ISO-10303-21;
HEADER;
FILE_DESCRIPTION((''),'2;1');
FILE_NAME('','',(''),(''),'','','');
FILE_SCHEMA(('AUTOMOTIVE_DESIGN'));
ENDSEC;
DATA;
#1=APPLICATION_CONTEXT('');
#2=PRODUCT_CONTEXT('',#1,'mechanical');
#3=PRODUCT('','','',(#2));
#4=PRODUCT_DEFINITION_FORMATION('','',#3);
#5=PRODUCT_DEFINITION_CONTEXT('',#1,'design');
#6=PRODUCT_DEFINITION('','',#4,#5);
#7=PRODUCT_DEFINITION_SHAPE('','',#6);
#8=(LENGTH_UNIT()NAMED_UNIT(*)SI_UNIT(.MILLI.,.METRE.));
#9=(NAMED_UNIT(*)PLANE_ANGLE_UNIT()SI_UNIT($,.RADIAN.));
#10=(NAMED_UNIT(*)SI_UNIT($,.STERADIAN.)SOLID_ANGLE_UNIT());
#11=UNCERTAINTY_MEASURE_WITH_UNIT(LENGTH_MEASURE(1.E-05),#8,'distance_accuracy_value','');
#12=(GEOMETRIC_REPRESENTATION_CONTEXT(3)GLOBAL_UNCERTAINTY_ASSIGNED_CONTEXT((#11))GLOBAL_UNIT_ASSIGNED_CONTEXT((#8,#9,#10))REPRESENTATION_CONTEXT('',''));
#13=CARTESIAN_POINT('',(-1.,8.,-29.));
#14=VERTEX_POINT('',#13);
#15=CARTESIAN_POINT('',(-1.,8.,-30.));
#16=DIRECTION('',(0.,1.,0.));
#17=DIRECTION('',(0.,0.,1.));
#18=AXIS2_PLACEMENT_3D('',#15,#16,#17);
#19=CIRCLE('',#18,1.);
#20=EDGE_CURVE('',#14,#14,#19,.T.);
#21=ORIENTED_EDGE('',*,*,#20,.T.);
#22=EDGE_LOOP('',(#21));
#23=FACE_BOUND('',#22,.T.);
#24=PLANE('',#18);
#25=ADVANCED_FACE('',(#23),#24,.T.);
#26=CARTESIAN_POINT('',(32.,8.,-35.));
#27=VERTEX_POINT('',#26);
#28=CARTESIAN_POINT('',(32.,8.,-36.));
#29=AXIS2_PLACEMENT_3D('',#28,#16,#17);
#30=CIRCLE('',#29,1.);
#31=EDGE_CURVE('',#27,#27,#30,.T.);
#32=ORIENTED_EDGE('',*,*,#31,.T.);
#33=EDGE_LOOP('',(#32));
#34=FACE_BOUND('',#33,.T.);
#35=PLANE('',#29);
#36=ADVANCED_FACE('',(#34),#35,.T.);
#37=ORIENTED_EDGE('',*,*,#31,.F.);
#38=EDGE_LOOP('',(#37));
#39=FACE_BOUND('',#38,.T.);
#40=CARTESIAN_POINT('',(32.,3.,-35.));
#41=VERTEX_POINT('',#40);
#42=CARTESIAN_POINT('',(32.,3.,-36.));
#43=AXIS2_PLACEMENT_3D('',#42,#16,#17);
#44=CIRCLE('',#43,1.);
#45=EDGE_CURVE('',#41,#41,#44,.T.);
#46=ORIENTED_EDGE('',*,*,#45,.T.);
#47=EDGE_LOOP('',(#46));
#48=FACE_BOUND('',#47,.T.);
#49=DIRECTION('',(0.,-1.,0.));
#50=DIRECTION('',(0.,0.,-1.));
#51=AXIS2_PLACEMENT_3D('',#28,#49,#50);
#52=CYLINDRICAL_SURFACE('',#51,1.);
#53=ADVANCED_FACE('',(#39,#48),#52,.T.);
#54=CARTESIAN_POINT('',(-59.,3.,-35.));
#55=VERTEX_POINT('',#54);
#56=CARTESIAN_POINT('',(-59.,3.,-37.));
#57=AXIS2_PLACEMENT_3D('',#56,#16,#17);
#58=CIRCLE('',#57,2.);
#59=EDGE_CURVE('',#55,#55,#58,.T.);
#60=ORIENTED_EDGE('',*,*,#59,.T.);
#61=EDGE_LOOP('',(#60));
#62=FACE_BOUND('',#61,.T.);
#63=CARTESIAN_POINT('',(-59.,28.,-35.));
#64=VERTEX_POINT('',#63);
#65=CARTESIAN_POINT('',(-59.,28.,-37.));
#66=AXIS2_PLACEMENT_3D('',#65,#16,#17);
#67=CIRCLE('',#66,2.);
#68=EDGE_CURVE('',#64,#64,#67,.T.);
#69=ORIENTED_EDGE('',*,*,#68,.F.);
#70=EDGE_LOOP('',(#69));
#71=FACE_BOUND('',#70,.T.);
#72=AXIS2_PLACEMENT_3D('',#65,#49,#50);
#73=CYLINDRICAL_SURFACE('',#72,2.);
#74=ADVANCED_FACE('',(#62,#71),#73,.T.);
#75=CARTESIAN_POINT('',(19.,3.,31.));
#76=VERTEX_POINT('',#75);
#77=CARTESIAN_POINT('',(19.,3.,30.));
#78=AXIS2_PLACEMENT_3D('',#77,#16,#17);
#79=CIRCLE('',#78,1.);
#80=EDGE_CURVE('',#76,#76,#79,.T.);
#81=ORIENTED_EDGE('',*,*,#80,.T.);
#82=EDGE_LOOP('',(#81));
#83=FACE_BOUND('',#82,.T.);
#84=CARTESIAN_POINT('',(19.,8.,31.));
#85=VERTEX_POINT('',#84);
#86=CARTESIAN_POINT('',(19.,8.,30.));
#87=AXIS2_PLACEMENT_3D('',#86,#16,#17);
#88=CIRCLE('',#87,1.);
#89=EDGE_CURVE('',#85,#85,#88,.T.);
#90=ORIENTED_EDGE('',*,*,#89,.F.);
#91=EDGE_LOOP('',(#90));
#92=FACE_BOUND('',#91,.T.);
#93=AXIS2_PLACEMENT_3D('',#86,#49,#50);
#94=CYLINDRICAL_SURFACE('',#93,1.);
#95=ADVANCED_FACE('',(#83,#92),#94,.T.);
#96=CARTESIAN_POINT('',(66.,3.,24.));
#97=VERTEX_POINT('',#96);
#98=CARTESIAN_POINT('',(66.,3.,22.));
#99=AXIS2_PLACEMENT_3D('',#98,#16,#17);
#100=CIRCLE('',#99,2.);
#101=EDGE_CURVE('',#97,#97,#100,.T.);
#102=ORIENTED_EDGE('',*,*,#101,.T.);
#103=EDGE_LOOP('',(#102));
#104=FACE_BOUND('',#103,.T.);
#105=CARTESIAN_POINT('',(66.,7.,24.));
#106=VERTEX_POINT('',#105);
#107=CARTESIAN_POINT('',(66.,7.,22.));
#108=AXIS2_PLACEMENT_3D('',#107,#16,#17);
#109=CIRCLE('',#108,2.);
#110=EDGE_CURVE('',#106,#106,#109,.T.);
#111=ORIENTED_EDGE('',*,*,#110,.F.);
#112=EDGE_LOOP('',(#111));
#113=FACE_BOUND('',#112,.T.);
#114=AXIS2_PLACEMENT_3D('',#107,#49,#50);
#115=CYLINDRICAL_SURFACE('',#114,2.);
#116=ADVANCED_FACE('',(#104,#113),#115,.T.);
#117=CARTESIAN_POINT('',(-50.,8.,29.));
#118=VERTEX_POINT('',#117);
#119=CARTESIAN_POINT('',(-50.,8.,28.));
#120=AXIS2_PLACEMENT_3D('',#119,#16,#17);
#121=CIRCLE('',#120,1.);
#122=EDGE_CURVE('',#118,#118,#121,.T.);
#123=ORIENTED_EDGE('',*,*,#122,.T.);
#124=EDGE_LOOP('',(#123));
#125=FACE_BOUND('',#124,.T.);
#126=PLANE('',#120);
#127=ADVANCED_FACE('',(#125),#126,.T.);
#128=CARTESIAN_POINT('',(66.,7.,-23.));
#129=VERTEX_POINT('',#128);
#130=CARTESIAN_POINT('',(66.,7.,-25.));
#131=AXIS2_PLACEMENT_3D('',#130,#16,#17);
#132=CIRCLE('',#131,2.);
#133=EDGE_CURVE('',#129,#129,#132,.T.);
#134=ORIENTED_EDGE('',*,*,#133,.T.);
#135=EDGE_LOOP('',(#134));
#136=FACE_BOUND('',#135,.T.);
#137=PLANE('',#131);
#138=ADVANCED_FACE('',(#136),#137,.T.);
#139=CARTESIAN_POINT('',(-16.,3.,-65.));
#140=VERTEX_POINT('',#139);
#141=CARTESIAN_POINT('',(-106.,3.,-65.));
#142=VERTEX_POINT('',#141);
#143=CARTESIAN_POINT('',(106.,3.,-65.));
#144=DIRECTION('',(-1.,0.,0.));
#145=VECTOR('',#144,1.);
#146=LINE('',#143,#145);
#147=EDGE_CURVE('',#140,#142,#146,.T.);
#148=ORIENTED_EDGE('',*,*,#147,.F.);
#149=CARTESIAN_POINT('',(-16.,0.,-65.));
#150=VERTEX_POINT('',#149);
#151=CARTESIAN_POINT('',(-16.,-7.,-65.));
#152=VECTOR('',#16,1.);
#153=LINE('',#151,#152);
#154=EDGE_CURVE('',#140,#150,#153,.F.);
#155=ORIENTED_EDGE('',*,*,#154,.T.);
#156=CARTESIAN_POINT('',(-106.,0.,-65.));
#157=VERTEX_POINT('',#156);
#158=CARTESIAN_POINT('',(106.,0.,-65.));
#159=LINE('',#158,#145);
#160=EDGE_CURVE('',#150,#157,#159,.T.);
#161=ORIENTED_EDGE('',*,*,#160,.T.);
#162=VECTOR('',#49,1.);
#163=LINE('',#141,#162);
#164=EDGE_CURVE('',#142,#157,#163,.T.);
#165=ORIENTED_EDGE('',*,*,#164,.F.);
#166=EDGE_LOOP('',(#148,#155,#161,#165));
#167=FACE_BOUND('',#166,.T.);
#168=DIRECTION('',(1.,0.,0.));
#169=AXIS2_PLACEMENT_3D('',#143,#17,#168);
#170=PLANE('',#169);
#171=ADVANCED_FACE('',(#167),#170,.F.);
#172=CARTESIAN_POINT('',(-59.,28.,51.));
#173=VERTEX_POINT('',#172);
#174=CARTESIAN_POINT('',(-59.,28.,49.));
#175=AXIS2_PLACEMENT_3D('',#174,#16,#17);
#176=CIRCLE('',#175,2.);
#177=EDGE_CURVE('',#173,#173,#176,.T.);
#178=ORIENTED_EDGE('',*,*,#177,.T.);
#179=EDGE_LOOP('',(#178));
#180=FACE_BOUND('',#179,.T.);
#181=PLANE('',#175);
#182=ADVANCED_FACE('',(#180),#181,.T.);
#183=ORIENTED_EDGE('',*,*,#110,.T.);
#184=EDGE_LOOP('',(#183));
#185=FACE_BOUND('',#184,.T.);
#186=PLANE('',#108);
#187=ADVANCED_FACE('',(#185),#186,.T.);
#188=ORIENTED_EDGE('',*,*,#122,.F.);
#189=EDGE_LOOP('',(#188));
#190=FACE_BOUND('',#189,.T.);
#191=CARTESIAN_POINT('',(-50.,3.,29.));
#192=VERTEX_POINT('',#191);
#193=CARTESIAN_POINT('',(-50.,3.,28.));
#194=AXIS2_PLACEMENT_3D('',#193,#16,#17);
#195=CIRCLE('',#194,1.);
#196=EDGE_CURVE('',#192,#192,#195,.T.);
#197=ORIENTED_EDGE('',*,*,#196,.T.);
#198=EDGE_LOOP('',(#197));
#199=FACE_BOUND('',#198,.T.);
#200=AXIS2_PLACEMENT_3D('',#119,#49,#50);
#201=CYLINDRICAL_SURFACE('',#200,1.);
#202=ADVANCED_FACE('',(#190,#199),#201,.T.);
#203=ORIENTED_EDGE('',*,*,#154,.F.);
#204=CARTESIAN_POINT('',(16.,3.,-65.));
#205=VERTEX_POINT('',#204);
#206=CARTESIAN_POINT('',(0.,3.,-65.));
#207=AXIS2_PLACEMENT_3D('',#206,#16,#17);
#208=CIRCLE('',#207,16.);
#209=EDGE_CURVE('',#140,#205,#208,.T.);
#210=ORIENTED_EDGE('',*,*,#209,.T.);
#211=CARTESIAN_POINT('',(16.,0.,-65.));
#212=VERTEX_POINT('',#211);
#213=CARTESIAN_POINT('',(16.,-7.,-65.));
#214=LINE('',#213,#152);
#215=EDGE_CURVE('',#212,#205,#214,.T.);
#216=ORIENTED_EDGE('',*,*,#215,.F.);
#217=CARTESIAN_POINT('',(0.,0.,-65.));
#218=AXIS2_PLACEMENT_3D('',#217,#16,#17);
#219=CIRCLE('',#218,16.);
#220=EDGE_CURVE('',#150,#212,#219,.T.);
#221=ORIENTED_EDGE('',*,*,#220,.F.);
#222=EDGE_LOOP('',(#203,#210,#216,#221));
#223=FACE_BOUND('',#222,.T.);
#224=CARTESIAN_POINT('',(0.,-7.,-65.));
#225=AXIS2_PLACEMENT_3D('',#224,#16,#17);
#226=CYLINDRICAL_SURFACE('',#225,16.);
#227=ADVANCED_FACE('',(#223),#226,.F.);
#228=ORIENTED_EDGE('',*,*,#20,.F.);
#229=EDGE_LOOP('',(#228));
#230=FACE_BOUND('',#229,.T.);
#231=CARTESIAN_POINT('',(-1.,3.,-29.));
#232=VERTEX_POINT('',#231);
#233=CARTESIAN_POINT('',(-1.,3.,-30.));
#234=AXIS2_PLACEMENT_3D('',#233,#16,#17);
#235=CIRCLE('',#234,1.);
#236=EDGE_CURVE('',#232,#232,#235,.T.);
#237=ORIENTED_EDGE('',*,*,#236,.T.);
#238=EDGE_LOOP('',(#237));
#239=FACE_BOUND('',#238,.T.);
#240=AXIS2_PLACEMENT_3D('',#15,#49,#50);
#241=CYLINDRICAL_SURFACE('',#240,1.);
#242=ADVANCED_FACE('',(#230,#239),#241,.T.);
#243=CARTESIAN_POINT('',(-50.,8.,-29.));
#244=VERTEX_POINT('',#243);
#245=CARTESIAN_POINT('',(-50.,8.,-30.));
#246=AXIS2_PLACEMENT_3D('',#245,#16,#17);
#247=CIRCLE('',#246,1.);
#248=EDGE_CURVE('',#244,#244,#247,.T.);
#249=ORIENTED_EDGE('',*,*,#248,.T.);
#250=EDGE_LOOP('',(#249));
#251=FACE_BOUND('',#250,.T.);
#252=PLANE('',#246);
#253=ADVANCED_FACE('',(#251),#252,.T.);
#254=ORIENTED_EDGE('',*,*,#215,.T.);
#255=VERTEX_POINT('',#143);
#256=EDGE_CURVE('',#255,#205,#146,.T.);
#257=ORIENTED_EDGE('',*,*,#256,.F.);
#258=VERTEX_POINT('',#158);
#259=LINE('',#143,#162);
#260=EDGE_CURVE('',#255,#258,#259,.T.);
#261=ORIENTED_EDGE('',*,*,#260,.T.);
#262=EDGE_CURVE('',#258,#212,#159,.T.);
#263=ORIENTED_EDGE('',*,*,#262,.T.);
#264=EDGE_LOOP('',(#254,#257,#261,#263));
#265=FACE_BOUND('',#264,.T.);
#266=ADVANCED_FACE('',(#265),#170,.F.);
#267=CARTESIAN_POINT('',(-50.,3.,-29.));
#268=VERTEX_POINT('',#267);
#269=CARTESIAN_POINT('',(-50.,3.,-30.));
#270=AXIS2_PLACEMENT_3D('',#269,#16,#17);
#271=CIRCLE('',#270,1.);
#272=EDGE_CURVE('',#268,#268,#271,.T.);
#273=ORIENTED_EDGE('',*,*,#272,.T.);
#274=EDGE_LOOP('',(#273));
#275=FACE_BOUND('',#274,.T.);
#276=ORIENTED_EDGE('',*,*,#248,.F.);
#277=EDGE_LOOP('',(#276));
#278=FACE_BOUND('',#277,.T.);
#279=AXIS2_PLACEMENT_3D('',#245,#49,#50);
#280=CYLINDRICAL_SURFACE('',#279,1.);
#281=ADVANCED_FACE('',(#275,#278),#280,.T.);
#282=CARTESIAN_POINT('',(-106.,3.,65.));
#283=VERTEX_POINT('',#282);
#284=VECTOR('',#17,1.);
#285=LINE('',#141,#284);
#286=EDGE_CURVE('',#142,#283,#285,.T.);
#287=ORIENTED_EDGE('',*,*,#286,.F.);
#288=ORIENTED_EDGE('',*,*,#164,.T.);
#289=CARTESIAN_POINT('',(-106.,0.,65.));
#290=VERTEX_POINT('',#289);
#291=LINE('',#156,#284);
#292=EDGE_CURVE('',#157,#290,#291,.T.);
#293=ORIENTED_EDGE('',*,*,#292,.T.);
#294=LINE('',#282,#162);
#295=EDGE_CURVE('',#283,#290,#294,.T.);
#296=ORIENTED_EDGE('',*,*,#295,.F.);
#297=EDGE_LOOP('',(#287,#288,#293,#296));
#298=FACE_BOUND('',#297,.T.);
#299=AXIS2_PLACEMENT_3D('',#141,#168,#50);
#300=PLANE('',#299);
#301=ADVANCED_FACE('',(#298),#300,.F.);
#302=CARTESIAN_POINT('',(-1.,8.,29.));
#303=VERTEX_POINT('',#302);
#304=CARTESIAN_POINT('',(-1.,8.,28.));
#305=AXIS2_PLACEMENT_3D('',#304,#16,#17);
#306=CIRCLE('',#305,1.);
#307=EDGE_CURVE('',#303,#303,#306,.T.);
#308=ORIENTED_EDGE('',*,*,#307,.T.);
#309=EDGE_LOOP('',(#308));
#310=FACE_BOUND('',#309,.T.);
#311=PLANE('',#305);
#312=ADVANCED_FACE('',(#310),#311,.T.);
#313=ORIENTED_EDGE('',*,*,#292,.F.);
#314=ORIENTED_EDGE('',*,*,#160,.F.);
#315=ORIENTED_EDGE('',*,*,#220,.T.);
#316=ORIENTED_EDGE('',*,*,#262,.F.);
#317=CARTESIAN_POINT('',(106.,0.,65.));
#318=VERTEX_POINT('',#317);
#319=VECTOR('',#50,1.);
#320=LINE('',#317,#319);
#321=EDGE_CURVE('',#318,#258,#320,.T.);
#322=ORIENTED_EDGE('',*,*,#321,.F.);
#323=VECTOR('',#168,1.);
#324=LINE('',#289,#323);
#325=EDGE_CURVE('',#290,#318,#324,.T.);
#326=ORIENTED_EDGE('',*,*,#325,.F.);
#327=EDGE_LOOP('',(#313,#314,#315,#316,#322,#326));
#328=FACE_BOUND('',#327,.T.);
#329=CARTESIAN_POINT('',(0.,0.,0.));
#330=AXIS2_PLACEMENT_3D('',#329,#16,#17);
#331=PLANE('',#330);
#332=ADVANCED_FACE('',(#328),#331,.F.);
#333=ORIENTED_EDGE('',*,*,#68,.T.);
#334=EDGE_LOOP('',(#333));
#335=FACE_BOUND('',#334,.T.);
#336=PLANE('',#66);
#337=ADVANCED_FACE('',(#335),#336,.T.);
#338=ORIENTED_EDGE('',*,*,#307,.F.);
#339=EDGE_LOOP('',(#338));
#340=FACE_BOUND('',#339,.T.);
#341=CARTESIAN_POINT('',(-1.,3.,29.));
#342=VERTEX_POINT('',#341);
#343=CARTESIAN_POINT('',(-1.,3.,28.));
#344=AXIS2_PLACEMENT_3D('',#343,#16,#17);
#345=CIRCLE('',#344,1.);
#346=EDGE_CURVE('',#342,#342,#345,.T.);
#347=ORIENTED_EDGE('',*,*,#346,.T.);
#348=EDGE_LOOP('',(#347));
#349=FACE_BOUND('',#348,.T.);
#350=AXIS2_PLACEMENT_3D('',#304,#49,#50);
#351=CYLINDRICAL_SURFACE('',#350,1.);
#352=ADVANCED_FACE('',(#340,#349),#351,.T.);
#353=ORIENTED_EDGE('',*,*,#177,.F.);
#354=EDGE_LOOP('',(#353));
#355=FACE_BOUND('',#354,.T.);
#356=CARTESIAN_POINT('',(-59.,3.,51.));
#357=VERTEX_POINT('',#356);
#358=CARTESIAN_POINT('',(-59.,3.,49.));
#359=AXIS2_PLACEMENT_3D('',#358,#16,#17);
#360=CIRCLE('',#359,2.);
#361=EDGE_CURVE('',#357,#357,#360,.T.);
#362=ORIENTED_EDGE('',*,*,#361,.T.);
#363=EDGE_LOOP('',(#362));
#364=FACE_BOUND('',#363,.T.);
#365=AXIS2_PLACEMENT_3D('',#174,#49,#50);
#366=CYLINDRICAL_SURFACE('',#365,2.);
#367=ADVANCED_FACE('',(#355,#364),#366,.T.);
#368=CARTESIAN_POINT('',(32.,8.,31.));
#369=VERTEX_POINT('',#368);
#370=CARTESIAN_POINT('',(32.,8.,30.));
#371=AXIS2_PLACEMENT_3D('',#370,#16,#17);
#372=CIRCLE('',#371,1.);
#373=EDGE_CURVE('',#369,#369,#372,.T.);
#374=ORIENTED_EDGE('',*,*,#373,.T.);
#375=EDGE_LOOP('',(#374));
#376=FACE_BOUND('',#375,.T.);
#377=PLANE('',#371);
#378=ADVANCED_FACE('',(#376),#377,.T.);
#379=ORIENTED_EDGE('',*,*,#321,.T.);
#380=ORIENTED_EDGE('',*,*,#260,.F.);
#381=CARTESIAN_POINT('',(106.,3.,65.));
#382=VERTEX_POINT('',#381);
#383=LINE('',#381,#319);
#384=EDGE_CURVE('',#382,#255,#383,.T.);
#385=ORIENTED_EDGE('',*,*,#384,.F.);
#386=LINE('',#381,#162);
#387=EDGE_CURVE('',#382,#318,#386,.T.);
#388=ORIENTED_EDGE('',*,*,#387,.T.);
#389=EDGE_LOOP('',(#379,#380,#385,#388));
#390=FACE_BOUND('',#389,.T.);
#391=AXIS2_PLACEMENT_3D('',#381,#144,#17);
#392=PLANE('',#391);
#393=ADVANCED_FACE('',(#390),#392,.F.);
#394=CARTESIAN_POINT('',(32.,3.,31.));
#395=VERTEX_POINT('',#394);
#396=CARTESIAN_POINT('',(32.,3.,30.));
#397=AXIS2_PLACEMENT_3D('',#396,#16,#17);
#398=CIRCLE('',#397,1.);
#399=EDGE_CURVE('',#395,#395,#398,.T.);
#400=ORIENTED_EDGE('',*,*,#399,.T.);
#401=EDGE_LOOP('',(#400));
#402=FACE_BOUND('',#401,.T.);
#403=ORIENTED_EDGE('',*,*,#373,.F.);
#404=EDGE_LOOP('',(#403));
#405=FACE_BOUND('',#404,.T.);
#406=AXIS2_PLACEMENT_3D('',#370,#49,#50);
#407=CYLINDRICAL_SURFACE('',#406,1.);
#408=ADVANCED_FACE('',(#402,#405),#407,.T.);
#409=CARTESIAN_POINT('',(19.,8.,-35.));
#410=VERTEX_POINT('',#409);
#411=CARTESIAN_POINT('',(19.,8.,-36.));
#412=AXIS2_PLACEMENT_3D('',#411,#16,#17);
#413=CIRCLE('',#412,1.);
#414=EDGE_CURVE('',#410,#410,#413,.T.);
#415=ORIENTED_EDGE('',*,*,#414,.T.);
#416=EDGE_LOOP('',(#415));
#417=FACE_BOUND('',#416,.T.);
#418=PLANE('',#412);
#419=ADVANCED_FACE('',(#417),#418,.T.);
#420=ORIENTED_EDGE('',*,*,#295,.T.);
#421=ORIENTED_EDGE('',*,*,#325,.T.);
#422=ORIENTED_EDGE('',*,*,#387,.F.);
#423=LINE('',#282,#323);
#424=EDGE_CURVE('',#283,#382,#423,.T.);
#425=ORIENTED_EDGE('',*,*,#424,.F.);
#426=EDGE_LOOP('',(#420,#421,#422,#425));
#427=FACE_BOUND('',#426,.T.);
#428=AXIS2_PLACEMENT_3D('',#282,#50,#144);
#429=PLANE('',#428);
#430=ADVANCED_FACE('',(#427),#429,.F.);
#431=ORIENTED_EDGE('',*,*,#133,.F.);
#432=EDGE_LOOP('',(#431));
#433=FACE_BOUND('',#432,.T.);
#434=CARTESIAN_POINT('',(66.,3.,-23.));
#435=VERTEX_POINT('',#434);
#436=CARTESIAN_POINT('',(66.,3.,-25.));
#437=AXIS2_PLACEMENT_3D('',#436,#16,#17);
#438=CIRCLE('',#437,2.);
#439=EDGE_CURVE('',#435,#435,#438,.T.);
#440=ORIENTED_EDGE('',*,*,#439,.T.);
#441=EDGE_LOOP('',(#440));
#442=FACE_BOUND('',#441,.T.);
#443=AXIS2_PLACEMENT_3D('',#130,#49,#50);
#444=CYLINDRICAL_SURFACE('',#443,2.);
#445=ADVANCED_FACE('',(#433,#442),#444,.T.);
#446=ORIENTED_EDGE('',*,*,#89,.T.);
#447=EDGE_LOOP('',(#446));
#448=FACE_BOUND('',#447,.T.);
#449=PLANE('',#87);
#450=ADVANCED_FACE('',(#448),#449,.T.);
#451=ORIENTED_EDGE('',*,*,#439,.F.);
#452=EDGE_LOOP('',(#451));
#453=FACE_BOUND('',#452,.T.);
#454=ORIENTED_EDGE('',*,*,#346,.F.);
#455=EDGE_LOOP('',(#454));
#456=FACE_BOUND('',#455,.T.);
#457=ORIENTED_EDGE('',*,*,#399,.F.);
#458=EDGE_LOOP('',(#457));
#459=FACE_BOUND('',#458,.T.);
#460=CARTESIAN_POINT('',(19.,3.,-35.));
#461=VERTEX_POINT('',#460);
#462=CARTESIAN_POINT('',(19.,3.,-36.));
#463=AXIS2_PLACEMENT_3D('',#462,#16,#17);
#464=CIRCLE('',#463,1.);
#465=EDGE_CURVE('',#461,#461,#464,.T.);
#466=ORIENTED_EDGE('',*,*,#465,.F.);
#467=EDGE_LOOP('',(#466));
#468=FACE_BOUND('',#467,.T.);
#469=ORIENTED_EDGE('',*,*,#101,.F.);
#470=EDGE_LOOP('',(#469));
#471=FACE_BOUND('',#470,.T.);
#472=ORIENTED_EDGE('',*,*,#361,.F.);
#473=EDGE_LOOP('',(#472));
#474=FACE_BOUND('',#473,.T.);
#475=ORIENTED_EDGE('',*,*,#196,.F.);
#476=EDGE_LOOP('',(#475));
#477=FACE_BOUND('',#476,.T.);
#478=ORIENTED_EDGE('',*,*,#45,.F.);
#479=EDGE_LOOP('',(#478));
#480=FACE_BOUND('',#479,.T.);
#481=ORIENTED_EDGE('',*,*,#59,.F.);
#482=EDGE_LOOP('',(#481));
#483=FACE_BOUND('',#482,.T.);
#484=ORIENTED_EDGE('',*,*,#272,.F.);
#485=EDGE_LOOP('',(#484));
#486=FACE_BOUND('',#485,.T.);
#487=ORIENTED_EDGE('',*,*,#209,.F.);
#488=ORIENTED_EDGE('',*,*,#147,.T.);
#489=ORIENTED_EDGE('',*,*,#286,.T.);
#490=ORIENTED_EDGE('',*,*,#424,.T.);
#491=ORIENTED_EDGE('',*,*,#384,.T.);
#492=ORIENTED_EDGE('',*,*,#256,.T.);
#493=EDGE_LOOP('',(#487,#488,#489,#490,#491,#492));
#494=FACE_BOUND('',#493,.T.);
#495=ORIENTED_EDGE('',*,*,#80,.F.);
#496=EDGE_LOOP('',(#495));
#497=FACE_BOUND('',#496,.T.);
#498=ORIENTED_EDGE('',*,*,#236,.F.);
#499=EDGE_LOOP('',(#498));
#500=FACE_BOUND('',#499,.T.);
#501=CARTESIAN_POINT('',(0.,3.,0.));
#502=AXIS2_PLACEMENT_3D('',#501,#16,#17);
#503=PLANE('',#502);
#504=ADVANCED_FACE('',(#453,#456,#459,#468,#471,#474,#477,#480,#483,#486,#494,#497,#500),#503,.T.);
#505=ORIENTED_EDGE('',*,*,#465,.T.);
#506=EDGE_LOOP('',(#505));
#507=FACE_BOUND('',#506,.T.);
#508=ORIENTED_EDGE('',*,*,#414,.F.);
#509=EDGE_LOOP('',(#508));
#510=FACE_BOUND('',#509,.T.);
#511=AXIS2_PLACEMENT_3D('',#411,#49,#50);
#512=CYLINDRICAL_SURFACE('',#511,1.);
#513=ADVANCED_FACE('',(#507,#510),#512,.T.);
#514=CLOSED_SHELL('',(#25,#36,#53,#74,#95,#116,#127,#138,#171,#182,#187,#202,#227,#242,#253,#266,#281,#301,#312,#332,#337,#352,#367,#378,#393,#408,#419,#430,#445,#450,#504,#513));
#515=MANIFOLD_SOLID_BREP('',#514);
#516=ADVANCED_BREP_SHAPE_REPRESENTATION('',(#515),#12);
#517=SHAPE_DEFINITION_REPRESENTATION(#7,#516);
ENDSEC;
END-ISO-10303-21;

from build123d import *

# Parameters (mm, degrees)
SKETCH3_W           = 212
SKETCH3_H           = 130
BOSS_EXTRUDE1_DEPTH = 3
SKETCH4_R           = 2
BOSS_EXTRUDE2_DEPTH = 4
SKETCH5_R           = 1
BOSS_EXTRUDE3_DEPTH = 5
SKETCH6_R           = 2
BOSS_EXTRUDE4_DEPTH = 25
SKETCH7_R           = 1
BOSS_EXTRUDE5_DEPTH = 5
SKETCH8_R           = 16
CUT_EXTRUDE1_DEPTH  = 10


with BuildPart() as part:
    # Sketch3 → Boss-Extrude1 (new body)
    with BuildSketch(Plane(origin=(0, 0, 0), x_dir=(1, 0, 0), z_dir=(0, 1, 0))):
        Rectangle(SKETCH3_W, SKETCH3_H)
    extrude(amount=BOSS_EXTRUDE1_DEPTH)

    # Sketch4 → Boss-Extrude2 (add)
    with BuildSketch(Plane(origin=(0, 3, 0), x_dir=(1, 0, 0), z_dir=(0, 1, 0))):
        with Locations(Location((66, 25, 0), (0, 0, 270))):
            Circle(SKETCH4_R)
        with Locations(Location((66, -22, 0), (0, 0, 270))):
            Circle(SKETCH4_R)
    extrude(amount=BOSS_EXTRUDE2_DEPTH)

    # Sketch5 → Boss-Extrude3 (add)
    with BuildSketch(Plane(origin=(0, 3, 0), x_dir=(1, 0, 0), z_dir=(0, 1, 0))):
        with Locations(Location((-50, 30, 0), (0, 0, 270))):
            Circle(SKETCH5_R)
        with Locations(Location((-1, 30, 0), (0, 0, 270))):
            Circle(SKETCH5_R)
        with Locations(Location((-1, -28, 0), (0, 0, 270))):
            Circle(SKETCH5_R)
        with Locations(Location((-50, -28, 0), (0, 0, 270))):
            Circle(SKETCH5_R)
    extrude(amount=BOSS_EXTRUDE3_DEPTH)

    # Sketch6 → Boss-Extrude4 (add)
    with BuildSketch(Plane(origin=(0, 3, 0), x_dir=(1, 0, 0), z_dir=(0, 1, 0))):
        with Locations(Location((-59, -49, 0), (0, 0, 270))):
            Circle(SKETCH6_R)
        with Locations(Location((-59, 37, 0), (0, 0, 270))):
            Circle(SKETCH6_R)
    extrude(amount=BOSS_EXTRUDE4_DEPTH)

    # Sketch7 → Boss-Extrude5 (add)
    with BuildSketch(Plane(origin=(0, 3, 0), x_dir=(1, 0, 0), z_dir=(0, 1, 0))):
        with Locations(Location((19, 36, 0), (0, 0, 270))):
            Circle(SKETCH7_R)
        with Locations(Location((32, 36, 0), (0, 0, 270))):
            Circle(SKETCH7_R)
        with Locations(Location((32, -30, 0), (0, 0, 270))):
            Circle(SKETCH7_R)
        with Locations(Location((19, -30, 0), (0, 0, 270))):
            Circle(SKETCH7_R)
    extrude(amount=BOSS_EXTRUDE5_DEPTH)

    # Sketch8 → Cut-Extrude1 (cut)
    with BuildSketch(Plane(origin=(0, 3, 0), x_dir=(1, 0, 0), z_dir=(0, 1, 0))):
        with Locations((0, 65)):
            Circle(SKETCH8_R)
    extrude(amount=-CUT_EXTRUDE1_DEPTH, mode=Mode.SUBTRACT)


solid = part.part
